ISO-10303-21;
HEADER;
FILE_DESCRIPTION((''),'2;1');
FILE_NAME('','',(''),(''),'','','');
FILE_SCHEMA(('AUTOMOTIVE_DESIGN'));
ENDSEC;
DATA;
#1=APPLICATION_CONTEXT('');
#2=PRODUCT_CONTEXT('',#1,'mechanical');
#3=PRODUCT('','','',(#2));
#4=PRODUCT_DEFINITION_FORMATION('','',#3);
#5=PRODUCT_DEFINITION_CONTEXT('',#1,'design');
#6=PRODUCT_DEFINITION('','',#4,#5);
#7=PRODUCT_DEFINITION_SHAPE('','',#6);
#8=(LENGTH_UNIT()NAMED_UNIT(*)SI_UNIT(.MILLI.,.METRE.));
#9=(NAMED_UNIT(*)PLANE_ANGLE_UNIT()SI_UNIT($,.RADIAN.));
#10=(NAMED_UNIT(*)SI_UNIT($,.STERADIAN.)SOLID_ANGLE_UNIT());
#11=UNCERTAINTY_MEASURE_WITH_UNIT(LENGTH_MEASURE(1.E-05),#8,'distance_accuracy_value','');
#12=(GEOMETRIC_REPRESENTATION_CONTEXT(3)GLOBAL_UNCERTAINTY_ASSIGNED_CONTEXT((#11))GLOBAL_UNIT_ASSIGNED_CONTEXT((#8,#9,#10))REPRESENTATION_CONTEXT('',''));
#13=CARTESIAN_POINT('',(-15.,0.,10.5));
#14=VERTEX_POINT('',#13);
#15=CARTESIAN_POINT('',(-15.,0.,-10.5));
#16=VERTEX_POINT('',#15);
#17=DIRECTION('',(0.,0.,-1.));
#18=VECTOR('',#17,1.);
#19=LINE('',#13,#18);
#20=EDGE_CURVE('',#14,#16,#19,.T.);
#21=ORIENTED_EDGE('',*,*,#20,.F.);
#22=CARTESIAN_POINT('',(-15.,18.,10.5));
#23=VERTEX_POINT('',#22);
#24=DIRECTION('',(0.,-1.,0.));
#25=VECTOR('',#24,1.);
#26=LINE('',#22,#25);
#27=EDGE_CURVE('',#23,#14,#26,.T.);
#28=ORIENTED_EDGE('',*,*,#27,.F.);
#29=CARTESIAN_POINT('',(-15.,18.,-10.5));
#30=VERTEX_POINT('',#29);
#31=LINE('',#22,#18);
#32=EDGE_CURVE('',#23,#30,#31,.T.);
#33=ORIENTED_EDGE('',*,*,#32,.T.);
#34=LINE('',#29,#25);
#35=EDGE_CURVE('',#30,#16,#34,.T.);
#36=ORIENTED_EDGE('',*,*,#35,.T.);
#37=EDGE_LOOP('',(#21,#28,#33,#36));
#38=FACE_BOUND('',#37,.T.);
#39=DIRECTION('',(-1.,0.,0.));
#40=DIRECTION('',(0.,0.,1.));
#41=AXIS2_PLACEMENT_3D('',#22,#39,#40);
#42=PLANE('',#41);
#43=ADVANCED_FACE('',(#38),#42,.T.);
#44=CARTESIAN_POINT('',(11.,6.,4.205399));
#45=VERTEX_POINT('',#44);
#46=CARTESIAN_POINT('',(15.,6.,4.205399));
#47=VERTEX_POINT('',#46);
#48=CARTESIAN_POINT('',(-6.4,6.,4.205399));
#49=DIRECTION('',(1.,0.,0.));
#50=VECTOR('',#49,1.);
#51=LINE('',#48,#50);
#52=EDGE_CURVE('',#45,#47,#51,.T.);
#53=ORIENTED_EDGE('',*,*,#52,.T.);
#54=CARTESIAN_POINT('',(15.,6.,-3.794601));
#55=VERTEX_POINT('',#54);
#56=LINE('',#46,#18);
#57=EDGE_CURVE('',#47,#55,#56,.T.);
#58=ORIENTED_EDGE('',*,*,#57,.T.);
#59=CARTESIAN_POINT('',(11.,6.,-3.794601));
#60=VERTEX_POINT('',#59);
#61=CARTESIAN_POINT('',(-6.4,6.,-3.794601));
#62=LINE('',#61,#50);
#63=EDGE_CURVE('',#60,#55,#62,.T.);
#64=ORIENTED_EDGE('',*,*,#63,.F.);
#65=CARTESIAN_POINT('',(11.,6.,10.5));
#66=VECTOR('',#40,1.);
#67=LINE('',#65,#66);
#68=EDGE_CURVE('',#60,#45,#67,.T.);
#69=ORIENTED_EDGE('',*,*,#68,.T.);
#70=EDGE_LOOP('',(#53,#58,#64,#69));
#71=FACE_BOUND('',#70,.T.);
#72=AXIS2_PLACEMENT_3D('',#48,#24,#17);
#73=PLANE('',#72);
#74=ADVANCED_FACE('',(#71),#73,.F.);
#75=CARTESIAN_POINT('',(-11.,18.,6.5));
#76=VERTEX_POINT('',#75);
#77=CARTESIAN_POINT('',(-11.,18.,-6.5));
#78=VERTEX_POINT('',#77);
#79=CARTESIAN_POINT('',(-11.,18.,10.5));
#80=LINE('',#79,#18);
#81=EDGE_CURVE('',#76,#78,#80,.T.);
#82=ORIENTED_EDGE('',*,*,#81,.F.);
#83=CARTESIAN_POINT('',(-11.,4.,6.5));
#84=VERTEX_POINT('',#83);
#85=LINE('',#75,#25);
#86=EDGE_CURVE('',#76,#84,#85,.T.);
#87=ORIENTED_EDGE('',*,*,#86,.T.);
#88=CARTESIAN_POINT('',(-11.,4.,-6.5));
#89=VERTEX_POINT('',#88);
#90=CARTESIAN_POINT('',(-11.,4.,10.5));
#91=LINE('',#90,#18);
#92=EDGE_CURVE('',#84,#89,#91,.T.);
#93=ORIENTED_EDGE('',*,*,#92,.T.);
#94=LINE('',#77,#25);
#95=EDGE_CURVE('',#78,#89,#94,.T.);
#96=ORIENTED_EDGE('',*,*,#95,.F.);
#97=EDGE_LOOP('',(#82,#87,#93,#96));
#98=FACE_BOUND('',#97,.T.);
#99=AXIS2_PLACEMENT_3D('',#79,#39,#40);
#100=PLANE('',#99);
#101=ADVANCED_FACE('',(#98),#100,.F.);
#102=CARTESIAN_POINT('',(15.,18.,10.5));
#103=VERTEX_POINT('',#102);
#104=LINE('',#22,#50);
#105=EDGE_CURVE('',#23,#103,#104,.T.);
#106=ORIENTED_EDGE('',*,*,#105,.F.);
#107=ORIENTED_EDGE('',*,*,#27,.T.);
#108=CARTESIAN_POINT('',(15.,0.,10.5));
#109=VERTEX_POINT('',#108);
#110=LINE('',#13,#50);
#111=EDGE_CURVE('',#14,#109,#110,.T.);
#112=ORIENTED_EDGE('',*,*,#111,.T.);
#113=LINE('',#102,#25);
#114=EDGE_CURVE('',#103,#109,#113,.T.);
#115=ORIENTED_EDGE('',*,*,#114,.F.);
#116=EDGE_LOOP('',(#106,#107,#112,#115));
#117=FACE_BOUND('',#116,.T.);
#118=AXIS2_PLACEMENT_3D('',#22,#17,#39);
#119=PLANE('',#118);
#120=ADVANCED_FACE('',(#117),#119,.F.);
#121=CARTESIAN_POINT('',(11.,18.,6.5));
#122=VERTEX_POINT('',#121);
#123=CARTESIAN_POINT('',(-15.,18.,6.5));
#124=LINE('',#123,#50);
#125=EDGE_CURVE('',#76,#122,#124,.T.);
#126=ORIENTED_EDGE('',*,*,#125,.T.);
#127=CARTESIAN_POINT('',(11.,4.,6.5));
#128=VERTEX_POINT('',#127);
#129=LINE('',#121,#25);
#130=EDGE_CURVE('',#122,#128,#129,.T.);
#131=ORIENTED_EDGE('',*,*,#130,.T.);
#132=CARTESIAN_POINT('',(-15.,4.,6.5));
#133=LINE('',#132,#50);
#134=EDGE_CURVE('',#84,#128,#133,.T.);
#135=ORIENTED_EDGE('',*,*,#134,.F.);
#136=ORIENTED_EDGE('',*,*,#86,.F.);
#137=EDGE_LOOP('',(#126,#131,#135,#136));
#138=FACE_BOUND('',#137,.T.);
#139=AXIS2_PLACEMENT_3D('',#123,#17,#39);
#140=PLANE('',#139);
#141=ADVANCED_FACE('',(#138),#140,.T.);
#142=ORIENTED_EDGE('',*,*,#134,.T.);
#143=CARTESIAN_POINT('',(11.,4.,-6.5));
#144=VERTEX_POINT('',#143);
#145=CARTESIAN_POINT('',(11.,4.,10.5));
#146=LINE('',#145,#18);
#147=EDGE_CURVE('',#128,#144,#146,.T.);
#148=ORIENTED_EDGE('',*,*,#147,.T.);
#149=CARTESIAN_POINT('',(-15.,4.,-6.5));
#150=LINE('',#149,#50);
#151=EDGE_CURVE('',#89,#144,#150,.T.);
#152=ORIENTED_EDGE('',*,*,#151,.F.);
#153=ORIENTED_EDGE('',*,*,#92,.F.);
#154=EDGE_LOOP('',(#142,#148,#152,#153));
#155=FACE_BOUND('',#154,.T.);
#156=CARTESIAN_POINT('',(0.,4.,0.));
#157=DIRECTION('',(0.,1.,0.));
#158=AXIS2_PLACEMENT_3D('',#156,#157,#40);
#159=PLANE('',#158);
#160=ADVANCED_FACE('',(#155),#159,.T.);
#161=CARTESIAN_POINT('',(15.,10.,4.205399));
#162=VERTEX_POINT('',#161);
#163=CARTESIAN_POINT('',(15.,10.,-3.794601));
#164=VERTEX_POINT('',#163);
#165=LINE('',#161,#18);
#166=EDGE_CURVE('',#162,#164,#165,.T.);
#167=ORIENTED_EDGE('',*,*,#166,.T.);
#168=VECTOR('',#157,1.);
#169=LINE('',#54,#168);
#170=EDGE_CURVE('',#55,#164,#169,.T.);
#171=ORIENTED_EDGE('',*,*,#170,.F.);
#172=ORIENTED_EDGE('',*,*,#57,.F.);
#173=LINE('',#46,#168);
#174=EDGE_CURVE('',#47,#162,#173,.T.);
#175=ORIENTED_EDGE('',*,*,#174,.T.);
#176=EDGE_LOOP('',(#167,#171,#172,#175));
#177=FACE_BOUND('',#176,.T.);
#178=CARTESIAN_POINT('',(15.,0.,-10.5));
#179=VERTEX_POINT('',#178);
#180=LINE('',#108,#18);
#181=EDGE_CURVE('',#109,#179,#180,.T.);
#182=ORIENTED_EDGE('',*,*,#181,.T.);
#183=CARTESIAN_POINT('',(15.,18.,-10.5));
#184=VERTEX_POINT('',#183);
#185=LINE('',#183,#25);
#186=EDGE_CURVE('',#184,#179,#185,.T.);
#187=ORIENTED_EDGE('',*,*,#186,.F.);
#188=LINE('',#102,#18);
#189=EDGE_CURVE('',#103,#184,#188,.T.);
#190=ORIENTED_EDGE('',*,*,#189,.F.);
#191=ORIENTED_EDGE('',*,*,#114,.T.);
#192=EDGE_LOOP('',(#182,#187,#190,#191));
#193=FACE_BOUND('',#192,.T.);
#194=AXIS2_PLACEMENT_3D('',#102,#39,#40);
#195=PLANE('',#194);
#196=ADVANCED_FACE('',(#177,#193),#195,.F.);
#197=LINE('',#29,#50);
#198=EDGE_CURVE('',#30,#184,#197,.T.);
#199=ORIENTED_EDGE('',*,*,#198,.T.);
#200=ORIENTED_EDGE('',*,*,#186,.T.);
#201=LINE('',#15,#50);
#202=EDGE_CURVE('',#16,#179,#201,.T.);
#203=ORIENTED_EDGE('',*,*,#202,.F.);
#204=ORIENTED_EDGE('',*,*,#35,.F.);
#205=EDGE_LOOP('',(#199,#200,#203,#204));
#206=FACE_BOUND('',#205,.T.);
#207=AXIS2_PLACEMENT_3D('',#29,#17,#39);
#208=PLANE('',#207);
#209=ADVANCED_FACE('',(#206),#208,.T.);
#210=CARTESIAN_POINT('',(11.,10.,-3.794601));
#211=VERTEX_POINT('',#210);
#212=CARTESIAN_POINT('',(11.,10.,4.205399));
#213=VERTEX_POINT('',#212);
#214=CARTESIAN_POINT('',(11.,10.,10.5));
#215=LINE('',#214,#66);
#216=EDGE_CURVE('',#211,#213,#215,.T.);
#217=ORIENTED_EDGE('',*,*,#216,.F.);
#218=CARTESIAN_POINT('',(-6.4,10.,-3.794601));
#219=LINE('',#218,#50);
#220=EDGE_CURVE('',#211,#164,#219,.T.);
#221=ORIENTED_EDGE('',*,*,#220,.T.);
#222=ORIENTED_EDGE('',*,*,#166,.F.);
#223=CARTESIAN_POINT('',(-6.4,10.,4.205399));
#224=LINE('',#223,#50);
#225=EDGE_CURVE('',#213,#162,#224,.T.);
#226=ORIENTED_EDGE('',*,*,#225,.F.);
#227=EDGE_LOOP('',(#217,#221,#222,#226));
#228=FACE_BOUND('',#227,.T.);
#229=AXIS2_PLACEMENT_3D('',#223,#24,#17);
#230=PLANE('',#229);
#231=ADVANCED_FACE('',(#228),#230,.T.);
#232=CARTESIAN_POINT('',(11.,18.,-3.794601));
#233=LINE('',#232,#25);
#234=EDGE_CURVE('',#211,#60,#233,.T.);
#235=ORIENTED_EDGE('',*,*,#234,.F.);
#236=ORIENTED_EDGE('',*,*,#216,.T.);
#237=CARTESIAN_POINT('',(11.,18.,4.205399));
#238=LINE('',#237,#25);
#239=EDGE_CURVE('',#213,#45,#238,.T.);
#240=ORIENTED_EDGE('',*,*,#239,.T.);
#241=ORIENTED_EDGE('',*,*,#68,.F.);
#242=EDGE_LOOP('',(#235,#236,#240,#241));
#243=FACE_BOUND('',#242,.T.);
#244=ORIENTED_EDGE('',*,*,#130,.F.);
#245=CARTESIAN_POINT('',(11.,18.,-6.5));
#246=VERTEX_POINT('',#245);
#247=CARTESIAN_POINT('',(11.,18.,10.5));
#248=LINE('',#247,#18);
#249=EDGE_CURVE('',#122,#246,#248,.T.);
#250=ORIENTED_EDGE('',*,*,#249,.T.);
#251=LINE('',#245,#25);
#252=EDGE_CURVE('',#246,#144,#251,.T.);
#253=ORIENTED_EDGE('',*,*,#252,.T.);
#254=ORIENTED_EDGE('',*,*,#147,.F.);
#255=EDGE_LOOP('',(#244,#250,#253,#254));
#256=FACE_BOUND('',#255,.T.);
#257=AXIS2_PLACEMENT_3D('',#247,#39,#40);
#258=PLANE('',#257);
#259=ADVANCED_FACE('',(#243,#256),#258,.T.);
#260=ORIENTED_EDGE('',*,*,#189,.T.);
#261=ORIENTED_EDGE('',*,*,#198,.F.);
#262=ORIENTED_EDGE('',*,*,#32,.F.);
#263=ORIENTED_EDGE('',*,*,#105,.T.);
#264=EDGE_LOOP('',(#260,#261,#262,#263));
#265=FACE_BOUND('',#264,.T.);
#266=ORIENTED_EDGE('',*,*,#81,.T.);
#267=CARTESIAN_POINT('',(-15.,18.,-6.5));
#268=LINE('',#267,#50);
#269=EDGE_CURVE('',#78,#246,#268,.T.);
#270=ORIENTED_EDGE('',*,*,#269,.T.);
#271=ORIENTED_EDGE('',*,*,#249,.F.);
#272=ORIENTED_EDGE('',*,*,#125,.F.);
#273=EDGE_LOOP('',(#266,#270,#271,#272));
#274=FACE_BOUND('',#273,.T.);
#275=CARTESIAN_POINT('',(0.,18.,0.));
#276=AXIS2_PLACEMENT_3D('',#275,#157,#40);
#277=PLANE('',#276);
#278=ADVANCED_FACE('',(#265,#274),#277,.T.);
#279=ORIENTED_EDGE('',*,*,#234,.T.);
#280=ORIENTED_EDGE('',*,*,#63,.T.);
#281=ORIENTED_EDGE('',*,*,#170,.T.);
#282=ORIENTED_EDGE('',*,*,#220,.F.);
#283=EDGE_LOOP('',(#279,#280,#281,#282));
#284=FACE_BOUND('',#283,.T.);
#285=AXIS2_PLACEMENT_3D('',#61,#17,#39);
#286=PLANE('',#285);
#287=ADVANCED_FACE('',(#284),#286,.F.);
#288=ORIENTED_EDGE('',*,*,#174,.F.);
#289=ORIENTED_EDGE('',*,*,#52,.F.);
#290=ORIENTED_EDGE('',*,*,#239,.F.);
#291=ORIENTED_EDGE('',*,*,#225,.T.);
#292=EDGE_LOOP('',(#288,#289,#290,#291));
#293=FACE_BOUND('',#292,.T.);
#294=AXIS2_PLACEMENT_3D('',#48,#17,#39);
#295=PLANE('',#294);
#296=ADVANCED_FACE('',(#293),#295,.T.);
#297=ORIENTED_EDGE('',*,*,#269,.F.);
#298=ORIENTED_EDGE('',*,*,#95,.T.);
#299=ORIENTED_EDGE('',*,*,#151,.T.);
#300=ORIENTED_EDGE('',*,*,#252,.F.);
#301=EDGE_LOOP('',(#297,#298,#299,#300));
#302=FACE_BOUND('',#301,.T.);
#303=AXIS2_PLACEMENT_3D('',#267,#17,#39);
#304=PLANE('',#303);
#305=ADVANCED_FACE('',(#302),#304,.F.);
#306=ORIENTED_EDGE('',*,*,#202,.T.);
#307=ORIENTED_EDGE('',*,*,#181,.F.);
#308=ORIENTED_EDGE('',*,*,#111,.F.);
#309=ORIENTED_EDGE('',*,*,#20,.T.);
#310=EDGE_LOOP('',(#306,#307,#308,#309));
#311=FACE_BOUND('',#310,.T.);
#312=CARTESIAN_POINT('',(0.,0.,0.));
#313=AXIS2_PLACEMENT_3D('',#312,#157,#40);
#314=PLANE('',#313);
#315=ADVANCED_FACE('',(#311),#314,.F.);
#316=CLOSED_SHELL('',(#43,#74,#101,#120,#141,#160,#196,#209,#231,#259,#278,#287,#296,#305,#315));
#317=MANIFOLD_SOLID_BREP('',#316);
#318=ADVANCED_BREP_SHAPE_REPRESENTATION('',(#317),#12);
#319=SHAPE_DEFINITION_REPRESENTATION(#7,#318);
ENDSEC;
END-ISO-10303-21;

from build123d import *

# Parameters (mm, degrees)
SKETCH2_W           = 30
SKETCH2_H           = 21
BOSS_EXTRUDE3_DEPTH = 18
SHELL5_T            = -4
SKETCH3_W           = 8
SKETCH3_H           = 4
CUT_EXTRUDE2_DEPTH  = 21.4


with BuildPart() as part:
    # Sketch2 → Boss-Extrude3 (new body)
    with BuildSketch(Plane(origin=(0, 0, 0), x_dir=(1, 0, 0), z_dir=(0, 1, 0))):
        Rectangle(SKETCH2_W, SKETCH2_H)
    extrude(amount=BOSS_EXTRUDE3_DEPTH)

    # Shell5
    shell5_openings = [part.faces().sort_by_distance(p)[0] for p in [
        (0, 18, 0),
    ]]
    offset(amount=SHELL5_T, openings=shell5_openings, kind=Kind.INTERSECTION)

    # Sketch3 → Cut-Extrude2 (cut)
    with BuildSketch(Plane(origin=(15, 0, 0), x_dir=(0, 0, -1), z_dir=(1, 0, 0))):
        with Locations((-0.205398777, 8)):
            Rectangle(SKETCH3_W, SKETCH3_H)
    extrude(amount=-CUT_EXTRUDE2_DEPTH, mode=Mode.SUBTRACT)


solid = part.part
